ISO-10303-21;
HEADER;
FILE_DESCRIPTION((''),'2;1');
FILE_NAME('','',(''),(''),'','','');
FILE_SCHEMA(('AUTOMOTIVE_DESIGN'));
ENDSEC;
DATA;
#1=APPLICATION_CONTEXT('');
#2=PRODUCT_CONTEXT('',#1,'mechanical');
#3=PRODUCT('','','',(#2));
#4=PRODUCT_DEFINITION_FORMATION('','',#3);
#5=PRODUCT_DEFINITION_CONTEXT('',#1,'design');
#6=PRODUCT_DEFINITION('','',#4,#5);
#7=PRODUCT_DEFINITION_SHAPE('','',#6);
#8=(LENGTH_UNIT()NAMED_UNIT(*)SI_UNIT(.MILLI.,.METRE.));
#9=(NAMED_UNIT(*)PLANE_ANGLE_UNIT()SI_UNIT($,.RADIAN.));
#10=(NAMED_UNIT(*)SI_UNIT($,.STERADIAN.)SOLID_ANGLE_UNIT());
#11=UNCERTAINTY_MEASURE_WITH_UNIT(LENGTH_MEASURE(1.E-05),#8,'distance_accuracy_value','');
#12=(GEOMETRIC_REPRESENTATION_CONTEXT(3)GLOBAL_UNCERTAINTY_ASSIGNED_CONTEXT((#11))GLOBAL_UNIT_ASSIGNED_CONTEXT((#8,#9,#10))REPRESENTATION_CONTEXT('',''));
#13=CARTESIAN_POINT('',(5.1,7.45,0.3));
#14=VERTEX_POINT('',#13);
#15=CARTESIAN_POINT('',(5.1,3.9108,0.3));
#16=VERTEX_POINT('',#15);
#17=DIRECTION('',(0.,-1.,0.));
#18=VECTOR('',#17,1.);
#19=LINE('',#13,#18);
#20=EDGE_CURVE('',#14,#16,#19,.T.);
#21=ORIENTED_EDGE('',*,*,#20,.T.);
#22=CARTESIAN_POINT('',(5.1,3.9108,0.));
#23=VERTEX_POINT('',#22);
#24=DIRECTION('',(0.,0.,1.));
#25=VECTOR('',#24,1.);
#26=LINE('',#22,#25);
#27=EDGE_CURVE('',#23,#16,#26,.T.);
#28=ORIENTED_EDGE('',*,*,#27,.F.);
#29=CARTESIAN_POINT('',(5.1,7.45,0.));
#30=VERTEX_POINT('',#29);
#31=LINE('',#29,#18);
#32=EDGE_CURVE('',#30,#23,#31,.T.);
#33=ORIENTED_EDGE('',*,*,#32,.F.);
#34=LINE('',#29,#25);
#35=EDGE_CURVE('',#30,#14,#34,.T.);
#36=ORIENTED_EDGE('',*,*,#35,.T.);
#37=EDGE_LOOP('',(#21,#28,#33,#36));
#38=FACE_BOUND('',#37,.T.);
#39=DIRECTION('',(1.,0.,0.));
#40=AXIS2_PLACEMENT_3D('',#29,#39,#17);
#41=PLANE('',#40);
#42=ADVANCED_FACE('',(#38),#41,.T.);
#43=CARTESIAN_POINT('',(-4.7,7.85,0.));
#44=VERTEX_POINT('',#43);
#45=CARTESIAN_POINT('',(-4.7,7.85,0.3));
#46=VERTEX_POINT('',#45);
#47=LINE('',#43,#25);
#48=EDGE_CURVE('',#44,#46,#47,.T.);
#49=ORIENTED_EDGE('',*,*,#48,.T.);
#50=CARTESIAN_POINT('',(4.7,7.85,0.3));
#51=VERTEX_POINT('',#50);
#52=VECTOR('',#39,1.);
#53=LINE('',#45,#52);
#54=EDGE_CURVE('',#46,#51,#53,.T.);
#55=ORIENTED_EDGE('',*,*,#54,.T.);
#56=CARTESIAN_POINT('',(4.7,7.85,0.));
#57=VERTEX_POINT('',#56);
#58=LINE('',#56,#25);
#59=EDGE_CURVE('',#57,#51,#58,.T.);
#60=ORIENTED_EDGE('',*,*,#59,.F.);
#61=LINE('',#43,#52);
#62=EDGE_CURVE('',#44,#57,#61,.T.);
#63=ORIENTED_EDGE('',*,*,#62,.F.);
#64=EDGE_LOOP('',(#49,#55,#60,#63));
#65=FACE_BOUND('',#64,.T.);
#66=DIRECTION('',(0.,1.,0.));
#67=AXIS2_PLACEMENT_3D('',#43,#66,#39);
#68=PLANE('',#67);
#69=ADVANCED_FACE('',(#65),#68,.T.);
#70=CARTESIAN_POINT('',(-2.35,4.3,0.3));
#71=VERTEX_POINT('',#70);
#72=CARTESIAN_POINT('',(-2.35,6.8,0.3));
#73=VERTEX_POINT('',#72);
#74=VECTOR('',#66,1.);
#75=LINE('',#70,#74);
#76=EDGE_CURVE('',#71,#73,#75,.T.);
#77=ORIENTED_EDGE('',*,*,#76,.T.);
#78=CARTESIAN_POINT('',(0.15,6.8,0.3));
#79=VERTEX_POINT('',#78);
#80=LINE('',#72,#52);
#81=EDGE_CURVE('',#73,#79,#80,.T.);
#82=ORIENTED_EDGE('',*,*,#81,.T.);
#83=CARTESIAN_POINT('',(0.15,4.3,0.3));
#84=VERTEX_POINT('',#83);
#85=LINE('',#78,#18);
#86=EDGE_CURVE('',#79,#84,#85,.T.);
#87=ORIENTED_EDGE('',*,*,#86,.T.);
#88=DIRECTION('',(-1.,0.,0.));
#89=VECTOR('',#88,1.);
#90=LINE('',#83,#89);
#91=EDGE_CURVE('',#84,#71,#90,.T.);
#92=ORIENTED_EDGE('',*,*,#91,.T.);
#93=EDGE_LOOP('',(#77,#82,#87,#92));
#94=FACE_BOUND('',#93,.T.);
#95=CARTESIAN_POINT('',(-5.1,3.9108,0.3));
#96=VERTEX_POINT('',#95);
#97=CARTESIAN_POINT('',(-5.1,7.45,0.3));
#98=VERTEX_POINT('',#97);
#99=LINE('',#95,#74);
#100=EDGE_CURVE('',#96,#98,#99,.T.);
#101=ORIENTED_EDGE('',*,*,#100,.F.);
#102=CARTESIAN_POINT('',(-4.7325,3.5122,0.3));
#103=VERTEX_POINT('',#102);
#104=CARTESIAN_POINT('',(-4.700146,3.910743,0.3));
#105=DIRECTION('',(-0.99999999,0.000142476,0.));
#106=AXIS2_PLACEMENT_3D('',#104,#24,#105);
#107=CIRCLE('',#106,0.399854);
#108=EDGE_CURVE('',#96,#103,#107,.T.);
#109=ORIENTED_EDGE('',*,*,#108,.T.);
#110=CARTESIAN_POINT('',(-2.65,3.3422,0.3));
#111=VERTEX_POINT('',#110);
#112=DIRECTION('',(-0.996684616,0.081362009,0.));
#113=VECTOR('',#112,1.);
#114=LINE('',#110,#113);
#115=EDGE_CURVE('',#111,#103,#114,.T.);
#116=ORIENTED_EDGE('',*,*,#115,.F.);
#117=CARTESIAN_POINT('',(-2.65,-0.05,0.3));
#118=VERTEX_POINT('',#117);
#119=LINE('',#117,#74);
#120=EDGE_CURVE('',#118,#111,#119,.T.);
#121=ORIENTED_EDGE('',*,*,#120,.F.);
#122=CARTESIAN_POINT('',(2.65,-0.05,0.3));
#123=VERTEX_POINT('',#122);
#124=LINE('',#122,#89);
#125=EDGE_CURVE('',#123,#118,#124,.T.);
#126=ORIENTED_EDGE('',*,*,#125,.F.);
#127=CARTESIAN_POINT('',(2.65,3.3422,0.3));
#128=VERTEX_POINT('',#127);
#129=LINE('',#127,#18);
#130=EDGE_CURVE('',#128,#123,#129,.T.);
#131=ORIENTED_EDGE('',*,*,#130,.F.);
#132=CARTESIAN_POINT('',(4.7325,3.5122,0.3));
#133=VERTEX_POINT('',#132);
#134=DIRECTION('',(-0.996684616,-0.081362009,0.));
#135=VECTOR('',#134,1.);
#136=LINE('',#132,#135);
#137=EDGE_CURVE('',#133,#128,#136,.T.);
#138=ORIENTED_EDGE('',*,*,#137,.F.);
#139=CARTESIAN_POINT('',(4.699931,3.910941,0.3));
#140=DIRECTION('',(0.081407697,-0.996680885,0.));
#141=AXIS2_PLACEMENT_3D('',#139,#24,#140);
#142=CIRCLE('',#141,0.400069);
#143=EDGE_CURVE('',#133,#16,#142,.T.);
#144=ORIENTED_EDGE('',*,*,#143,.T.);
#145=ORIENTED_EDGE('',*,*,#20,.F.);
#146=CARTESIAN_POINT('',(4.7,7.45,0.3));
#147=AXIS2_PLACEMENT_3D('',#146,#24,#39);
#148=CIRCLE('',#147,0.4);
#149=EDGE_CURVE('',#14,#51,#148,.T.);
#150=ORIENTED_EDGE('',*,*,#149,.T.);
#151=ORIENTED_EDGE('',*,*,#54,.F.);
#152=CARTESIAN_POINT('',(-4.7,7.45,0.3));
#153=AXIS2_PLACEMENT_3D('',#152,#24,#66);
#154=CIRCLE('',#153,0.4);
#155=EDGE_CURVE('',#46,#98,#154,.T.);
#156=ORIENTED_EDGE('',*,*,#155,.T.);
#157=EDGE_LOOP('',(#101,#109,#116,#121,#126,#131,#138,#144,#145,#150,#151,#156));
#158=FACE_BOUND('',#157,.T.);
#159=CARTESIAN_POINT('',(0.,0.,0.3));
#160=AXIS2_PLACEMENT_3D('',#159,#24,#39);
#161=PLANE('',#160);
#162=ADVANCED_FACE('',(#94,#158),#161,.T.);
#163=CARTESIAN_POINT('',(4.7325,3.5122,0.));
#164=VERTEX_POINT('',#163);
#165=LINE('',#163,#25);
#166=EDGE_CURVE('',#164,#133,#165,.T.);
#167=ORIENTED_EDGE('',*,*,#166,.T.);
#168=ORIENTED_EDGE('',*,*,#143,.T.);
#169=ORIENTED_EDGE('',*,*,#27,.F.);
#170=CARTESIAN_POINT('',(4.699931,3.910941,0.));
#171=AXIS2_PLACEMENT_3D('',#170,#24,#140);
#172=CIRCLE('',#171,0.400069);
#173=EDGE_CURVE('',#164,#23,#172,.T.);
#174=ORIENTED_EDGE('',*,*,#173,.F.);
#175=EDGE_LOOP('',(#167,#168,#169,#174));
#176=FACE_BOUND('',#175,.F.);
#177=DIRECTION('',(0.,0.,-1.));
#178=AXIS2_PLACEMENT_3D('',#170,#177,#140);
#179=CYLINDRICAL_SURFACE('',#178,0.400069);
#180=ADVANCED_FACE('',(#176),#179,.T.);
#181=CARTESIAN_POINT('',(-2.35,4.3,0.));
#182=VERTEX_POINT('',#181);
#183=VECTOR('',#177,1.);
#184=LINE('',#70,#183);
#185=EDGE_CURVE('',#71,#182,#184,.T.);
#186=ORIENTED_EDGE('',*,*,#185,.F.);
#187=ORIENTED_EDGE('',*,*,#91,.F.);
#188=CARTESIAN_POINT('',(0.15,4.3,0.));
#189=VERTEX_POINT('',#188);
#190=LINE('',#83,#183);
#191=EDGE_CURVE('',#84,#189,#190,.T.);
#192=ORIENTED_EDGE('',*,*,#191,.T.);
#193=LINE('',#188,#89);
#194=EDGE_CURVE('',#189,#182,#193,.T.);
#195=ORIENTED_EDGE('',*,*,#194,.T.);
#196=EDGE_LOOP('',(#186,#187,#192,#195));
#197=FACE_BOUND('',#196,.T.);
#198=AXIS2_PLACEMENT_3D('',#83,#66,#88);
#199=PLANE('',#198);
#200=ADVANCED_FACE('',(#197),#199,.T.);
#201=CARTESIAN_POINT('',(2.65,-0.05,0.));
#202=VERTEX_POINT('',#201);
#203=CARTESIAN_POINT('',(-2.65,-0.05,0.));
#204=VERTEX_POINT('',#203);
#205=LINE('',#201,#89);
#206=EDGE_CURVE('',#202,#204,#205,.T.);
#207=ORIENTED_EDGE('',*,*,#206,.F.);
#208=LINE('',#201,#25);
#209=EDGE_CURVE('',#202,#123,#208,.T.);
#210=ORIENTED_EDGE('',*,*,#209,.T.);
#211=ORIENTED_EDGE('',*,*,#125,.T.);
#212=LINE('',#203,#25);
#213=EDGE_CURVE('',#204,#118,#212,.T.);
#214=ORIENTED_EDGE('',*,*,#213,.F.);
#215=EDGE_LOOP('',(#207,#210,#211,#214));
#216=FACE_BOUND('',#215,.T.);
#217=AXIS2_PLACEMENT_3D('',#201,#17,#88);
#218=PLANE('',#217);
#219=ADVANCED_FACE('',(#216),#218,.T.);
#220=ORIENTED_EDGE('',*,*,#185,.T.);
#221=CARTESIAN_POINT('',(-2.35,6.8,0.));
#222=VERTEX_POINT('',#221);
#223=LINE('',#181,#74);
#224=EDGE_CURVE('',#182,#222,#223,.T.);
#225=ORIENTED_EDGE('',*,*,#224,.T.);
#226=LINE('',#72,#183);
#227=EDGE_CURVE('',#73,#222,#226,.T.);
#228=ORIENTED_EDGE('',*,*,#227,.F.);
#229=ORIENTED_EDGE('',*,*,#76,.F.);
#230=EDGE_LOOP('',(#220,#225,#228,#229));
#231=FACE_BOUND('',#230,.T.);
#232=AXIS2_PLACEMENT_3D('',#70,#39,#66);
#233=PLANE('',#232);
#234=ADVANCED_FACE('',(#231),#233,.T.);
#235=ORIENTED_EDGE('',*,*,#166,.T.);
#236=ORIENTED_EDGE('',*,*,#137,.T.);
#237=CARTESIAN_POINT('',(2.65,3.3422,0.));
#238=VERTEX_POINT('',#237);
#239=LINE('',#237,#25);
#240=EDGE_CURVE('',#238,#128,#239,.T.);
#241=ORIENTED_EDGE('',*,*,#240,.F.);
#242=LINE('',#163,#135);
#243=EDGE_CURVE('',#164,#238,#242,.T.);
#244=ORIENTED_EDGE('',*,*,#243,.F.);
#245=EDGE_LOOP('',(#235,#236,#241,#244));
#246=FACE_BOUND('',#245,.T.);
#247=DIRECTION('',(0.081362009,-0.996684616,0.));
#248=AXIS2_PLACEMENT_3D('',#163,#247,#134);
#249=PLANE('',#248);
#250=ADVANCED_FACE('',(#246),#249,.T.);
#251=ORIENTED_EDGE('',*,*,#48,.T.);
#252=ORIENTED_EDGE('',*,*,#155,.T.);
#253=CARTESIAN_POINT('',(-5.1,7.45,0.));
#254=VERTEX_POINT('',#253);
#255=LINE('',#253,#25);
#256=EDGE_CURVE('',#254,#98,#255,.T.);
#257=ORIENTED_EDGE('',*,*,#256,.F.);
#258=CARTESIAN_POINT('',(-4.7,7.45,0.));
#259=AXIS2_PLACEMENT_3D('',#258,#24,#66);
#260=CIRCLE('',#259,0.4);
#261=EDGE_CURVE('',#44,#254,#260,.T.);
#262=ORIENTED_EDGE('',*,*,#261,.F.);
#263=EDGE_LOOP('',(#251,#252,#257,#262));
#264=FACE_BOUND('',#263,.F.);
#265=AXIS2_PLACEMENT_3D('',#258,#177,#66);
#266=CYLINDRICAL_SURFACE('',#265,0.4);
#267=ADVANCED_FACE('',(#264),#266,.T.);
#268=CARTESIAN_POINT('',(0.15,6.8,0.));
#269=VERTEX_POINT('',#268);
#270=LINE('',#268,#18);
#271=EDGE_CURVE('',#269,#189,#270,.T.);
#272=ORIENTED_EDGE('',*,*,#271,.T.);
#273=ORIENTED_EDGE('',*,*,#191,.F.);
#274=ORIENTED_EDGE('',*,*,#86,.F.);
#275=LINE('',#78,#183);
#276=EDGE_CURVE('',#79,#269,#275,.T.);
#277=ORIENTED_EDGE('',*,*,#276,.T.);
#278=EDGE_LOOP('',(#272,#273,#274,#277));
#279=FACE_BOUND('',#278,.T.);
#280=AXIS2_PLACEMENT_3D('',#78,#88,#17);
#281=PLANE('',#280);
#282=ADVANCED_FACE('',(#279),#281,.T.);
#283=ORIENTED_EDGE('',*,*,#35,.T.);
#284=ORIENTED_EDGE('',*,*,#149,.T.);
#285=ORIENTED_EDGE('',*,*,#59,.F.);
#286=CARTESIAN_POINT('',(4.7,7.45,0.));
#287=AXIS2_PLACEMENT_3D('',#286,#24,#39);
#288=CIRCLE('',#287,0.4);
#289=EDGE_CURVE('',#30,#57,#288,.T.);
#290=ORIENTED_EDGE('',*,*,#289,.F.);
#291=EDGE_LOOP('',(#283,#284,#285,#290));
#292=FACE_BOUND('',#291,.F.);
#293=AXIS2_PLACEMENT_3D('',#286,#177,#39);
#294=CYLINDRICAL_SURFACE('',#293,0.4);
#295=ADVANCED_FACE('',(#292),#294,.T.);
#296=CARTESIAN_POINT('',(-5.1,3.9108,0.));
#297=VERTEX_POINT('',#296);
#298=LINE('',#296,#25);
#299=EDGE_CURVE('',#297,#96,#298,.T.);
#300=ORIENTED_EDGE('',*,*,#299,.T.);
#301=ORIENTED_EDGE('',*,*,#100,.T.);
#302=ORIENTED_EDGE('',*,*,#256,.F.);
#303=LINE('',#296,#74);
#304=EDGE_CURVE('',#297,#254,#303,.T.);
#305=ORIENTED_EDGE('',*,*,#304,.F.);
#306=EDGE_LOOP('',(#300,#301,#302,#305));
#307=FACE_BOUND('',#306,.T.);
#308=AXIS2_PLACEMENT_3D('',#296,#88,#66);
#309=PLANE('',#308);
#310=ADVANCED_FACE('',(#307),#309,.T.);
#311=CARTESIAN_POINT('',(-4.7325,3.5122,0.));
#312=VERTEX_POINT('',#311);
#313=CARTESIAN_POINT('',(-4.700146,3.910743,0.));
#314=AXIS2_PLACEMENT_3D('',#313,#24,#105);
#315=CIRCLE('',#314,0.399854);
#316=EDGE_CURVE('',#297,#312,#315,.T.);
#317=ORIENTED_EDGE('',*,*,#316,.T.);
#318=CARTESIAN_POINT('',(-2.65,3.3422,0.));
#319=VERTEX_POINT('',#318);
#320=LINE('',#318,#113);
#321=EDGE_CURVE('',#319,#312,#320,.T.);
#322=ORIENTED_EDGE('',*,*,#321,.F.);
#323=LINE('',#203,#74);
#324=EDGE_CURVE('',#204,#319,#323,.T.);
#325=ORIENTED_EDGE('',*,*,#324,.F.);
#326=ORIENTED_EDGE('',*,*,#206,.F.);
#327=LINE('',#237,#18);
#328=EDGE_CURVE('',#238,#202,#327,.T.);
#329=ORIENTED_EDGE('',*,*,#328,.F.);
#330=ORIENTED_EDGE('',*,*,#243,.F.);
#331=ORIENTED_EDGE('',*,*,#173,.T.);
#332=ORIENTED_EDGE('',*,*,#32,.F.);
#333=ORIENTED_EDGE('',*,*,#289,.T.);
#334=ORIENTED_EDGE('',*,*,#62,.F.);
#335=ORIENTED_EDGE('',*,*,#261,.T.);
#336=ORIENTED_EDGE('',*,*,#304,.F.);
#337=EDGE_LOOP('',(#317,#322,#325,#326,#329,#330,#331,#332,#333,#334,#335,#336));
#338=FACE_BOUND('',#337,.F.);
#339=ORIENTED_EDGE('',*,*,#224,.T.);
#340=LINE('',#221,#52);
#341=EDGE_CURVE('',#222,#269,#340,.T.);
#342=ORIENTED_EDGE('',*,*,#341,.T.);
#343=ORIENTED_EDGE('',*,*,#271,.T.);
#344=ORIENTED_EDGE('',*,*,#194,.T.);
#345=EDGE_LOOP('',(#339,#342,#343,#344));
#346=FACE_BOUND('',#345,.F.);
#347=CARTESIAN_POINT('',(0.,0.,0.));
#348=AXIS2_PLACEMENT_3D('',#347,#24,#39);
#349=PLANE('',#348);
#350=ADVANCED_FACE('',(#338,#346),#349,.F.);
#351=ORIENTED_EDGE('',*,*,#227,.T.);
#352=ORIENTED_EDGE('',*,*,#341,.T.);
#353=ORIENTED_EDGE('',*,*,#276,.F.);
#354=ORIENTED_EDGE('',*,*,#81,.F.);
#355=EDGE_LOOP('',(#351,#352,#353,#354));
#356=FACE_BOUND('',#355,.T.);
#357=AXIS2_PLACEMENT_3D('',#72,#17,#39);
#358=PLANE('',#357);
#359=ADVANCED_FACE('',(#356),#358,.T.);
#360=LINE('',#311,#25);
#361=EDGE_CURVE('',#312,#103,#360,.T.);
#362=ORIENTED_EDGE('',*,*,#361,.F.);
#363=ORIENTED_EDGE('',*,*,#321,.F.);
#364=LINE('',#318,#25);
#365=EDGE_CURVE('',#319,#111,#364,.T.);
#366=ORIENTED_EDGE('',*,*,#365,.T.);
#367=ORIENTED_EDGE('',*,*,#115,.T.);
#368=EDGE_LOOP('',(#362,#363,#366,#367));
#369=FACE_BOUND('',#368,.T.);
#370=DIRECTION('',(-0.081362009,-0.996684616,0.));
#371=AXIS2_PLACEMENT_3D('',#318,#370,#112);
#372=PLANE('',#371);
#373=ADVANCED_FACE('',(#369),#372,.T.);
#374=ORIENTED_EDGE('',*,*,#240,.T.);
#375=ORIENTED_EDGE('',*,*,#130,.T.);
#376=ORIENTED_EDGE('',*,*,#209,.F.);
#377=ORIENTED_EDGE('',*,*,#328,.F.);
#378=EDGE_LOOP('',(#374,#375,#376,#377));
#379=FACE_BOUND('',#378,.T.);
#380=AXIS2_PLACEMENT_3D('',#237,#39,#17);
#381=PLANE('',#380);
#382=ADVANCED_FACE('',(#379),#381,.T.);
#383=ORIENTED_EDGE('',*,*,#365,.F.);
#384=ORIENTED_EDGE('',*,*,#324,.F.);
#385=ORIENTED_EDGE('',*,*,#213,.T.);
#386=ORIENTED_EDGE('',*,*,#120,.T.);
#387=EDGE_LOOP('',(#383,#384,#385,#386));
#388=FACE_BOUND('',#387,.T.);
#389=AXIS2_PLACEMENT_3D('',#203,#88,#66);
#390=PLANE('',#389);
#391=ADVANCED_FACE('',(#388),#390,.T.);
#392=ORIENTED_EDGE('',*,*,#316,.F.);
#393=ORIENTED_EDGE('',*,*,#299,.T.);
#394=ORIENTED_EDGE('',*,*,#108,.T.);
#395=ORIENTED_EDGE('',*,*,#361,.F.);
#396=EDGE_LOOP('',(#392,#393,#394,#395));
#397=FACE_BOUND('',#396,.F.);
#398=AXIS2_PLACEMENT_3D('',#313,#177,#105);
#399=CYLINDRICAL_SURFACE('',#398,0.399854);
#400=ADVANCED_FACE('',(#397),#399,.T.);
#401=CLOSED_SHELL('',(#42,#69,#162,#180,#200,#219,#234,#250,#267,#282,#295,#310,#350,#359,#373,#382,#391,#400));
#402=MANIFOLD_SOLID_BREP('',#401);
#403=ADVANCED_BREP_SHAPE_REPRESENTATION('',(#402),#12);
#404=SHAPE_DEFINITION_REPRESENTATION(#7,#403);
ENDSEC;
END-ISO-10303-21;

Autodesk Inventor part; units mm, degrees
ref_plane "YZ Plane" through (0, 0, 0) normal (1, 0, 0) x (0, 1, 0)
ref_plane "XZ Plane" through (0, 0, 0) normal (0, 1, 0) x (-1, 0, 0)
ref_plane "XY Plane" through (0, 0, 0) normal (0, 0, 1) x (1, 0, 0)
sketch "Sketch1" plane through (0, 0, 0) normal (0, 0, 1) x (1, 0, 0)
  line L0 (-2.75, 3.25) -> (-4.7407, 3.4125) projected
  arc A0 (-5.2, 3.9108) -> (-4.7407, 3.4125) centre (-4.7, 3.9108) ccw projected
  line L1 (-5.2, 3.9108) -> (-5.2, 7.45) projected
  arc A1 (-4.7, 7.95) -> (-5.2, 7.45) centre (-4.7, 7.45) ccw projected
  arc A2 (5.2176, 3.2181) -> (5.6, 3.45) centre (5.1769, 3.7165) ccw projected
  line L2 (5.6, 3.45) -> (5.6, 7.75) projected
  arc A3 (5.6, 7.75) -> (5.1, 8.25) centre (5.1, 7.75) ccw projected
  line L3 (-5.1, 8.25) -> (5.1, 8.25) projected
  arc A4 (-5.1, 8.25) -> (-5.6, 7.75) centre (-5.1, 7.75) ccw projected
  line L4 (-5.6, 3.45) -> (-5.6, 7.75) projected
  arc A5 (-5.6, 3.45) -> (-5.2176, 3.2181) centre (-5.1769, 3.7165) ccw projected
  line L5 (-5.2176, 3.2181) -> (-3.1663, 3.0507) projected
  arc A6 (-3.15, 2.7961) -> (-3.1663, 3.0507) centre (-5.15, 2.7961) ccw projected
  line L6 (-3.15, -0.45) -> (-3.15, 2.7961) projected
  line L7 (3.15, -0.45) -> (-3.15, -0.45) projected
  line L8 (3.15, 2.7961) -> (3.15, -0.45) projected
  arc A7 (3.1663, 3.0507) -> (3.15, 2.7961) centre (5.15, 2.7961) ccw projected
  line L9 (3.1663, 3.0507) -> (5.2176, 3.2181) projected
  line L10 (2.75, -0.15) -> (2.75, 3.25) projected
  line L11 (-2.75, -0.15) -> (2.75, -0.15) projected
  line L12 (-2.75, 3.25) -> (-2.75, -0.15) projected
  line L13 (-2.75, 3.25) -> (-4.7407, 3.4125) projected
  arc A8 (-5.2, 3.9108) -> (-4.7407, 3.4125) centre (-4.7, 3.9108) ccw projected
  line L14 (-5.2, 3.9108) -> (-5.2, 7.45) projected
  arc A9 (-4.7, 7.95) -> (-5.2, 7.45) centre (-4.7, 7.45) ccw projected
  line L15 (-4.7, 7.95) -> (4.7, 7.95) projected
  arc A10 (5.2, 7.45) -> (4.7, 7.95) centre (4.7, 7.45) ccw projected
  line L16 (5.2, 3.9108) -> (5.2, 7.45) projected
  arc A11 (4.7407, 3.4125) -> (5.2, 3.9108) centre (4.7, 3.9108) ccw projected
  line L17 (4.7407, 3.4125) -> (2.75, 3.25) projected
  line L18 (-2.65, -0.05) -> (-2.65, 3.3422)
  line L19 (-2.65, 3.3422) -> (-4.7325, 3.5122)
  line L20 (-5.1, 3.9108) -> (-5.1, 7.45)
  line L21 (-4.7, 7.85) -> (4.7, 7.85)
  line L22 (5.1, 7.45) -> (5.1, 3.9108)
  line L23 (4.7325, 3.5122) -> (2.65, 3.3422)
  line L24 (2.65, 3.3422) -> (2.65, -0.05)
  line L25 (2.65, -0.05) -> (-2.65, -0.05)
  arc A12 (-5.1, 3.9108) -> (-4.7325, 3.5122) centre (-4.7, 3.9108) ccw
  arc A13 (4.7325, 3.5122) -> (5.1, 3.9108) centre (4.7, 3.9108) ccw
  arc A14 (-4.7, 7.85) -> (-5.1, 7.45) centre (-4.7, 7.45) ccw
  arc A15 (5.1, 7.45) -> (4.7, 7.85) centre (4.7, 7.45) ccw
  point P0 (0, 0)
  dimension "d0" = 0.1
  dimension "d1" = 0.1
  dimension "d2" = 0.1
  dimension "d3" = 0.1
  dimension "d4" = 0.1
  dimension "d5" = 0.1
  dimension "d6" = 0.1
  dimension "d7" = 0.1
  dimension "d8" = 0.4
  dimension "d9" = 0.4
  dimension "d10" = 0.4
  dimension "d11" = 0.4
extrude "Extrusion1" add sketch "Sketch1" along normal blind 0.3 contours L18 L19 A12 L20 A14 L21 A15 L22 A13 L23 L24 L25
sketch "Sketch2" plane through (0, 0, 0.3) normal (0, 0, 1) x (1, 0, 0)
  line L0 (-2.35, 6.8) -> (0.15, 6.8)
  line L1 (0.15, 6.8) -> (0.15, 4.3)
  line L2 (0.15, 4.3) -> (-2.35, 4.3)
  line L3 (-2.35, 4.3) -> (-2.35, 6.8)
  line L4 (-5.1, 7.45) -> (-5.1, 3.9108) projected
  line L5 (4.7, 7.85) -> (-4.7, 7.85) projected
  point P0 (0, 0)
  dimension "d14" = 2.75
  dimension "d15" = 1.05
  dimension "d16" = 2.5
  dimension "d17" = 2.5
extrude "Extrusion2" cut sketch "Sketch2" against normal blind 0.3
equation "\"d1\" = d0"
equation "\"d2\" = d0"
equation "\"d3\" = d0"
equation "\"d4\" = d0"
equation "\"d5\" = d0"
equation "\"d6\" = d0"
equation "\"d7\" = d0"
equation "\"d8\" = d10"
equation "\"d9\" = d10"
equation "\"d11\" = d10"
equation "\"d17\" = d16"
properties part number "top_enclosure"
